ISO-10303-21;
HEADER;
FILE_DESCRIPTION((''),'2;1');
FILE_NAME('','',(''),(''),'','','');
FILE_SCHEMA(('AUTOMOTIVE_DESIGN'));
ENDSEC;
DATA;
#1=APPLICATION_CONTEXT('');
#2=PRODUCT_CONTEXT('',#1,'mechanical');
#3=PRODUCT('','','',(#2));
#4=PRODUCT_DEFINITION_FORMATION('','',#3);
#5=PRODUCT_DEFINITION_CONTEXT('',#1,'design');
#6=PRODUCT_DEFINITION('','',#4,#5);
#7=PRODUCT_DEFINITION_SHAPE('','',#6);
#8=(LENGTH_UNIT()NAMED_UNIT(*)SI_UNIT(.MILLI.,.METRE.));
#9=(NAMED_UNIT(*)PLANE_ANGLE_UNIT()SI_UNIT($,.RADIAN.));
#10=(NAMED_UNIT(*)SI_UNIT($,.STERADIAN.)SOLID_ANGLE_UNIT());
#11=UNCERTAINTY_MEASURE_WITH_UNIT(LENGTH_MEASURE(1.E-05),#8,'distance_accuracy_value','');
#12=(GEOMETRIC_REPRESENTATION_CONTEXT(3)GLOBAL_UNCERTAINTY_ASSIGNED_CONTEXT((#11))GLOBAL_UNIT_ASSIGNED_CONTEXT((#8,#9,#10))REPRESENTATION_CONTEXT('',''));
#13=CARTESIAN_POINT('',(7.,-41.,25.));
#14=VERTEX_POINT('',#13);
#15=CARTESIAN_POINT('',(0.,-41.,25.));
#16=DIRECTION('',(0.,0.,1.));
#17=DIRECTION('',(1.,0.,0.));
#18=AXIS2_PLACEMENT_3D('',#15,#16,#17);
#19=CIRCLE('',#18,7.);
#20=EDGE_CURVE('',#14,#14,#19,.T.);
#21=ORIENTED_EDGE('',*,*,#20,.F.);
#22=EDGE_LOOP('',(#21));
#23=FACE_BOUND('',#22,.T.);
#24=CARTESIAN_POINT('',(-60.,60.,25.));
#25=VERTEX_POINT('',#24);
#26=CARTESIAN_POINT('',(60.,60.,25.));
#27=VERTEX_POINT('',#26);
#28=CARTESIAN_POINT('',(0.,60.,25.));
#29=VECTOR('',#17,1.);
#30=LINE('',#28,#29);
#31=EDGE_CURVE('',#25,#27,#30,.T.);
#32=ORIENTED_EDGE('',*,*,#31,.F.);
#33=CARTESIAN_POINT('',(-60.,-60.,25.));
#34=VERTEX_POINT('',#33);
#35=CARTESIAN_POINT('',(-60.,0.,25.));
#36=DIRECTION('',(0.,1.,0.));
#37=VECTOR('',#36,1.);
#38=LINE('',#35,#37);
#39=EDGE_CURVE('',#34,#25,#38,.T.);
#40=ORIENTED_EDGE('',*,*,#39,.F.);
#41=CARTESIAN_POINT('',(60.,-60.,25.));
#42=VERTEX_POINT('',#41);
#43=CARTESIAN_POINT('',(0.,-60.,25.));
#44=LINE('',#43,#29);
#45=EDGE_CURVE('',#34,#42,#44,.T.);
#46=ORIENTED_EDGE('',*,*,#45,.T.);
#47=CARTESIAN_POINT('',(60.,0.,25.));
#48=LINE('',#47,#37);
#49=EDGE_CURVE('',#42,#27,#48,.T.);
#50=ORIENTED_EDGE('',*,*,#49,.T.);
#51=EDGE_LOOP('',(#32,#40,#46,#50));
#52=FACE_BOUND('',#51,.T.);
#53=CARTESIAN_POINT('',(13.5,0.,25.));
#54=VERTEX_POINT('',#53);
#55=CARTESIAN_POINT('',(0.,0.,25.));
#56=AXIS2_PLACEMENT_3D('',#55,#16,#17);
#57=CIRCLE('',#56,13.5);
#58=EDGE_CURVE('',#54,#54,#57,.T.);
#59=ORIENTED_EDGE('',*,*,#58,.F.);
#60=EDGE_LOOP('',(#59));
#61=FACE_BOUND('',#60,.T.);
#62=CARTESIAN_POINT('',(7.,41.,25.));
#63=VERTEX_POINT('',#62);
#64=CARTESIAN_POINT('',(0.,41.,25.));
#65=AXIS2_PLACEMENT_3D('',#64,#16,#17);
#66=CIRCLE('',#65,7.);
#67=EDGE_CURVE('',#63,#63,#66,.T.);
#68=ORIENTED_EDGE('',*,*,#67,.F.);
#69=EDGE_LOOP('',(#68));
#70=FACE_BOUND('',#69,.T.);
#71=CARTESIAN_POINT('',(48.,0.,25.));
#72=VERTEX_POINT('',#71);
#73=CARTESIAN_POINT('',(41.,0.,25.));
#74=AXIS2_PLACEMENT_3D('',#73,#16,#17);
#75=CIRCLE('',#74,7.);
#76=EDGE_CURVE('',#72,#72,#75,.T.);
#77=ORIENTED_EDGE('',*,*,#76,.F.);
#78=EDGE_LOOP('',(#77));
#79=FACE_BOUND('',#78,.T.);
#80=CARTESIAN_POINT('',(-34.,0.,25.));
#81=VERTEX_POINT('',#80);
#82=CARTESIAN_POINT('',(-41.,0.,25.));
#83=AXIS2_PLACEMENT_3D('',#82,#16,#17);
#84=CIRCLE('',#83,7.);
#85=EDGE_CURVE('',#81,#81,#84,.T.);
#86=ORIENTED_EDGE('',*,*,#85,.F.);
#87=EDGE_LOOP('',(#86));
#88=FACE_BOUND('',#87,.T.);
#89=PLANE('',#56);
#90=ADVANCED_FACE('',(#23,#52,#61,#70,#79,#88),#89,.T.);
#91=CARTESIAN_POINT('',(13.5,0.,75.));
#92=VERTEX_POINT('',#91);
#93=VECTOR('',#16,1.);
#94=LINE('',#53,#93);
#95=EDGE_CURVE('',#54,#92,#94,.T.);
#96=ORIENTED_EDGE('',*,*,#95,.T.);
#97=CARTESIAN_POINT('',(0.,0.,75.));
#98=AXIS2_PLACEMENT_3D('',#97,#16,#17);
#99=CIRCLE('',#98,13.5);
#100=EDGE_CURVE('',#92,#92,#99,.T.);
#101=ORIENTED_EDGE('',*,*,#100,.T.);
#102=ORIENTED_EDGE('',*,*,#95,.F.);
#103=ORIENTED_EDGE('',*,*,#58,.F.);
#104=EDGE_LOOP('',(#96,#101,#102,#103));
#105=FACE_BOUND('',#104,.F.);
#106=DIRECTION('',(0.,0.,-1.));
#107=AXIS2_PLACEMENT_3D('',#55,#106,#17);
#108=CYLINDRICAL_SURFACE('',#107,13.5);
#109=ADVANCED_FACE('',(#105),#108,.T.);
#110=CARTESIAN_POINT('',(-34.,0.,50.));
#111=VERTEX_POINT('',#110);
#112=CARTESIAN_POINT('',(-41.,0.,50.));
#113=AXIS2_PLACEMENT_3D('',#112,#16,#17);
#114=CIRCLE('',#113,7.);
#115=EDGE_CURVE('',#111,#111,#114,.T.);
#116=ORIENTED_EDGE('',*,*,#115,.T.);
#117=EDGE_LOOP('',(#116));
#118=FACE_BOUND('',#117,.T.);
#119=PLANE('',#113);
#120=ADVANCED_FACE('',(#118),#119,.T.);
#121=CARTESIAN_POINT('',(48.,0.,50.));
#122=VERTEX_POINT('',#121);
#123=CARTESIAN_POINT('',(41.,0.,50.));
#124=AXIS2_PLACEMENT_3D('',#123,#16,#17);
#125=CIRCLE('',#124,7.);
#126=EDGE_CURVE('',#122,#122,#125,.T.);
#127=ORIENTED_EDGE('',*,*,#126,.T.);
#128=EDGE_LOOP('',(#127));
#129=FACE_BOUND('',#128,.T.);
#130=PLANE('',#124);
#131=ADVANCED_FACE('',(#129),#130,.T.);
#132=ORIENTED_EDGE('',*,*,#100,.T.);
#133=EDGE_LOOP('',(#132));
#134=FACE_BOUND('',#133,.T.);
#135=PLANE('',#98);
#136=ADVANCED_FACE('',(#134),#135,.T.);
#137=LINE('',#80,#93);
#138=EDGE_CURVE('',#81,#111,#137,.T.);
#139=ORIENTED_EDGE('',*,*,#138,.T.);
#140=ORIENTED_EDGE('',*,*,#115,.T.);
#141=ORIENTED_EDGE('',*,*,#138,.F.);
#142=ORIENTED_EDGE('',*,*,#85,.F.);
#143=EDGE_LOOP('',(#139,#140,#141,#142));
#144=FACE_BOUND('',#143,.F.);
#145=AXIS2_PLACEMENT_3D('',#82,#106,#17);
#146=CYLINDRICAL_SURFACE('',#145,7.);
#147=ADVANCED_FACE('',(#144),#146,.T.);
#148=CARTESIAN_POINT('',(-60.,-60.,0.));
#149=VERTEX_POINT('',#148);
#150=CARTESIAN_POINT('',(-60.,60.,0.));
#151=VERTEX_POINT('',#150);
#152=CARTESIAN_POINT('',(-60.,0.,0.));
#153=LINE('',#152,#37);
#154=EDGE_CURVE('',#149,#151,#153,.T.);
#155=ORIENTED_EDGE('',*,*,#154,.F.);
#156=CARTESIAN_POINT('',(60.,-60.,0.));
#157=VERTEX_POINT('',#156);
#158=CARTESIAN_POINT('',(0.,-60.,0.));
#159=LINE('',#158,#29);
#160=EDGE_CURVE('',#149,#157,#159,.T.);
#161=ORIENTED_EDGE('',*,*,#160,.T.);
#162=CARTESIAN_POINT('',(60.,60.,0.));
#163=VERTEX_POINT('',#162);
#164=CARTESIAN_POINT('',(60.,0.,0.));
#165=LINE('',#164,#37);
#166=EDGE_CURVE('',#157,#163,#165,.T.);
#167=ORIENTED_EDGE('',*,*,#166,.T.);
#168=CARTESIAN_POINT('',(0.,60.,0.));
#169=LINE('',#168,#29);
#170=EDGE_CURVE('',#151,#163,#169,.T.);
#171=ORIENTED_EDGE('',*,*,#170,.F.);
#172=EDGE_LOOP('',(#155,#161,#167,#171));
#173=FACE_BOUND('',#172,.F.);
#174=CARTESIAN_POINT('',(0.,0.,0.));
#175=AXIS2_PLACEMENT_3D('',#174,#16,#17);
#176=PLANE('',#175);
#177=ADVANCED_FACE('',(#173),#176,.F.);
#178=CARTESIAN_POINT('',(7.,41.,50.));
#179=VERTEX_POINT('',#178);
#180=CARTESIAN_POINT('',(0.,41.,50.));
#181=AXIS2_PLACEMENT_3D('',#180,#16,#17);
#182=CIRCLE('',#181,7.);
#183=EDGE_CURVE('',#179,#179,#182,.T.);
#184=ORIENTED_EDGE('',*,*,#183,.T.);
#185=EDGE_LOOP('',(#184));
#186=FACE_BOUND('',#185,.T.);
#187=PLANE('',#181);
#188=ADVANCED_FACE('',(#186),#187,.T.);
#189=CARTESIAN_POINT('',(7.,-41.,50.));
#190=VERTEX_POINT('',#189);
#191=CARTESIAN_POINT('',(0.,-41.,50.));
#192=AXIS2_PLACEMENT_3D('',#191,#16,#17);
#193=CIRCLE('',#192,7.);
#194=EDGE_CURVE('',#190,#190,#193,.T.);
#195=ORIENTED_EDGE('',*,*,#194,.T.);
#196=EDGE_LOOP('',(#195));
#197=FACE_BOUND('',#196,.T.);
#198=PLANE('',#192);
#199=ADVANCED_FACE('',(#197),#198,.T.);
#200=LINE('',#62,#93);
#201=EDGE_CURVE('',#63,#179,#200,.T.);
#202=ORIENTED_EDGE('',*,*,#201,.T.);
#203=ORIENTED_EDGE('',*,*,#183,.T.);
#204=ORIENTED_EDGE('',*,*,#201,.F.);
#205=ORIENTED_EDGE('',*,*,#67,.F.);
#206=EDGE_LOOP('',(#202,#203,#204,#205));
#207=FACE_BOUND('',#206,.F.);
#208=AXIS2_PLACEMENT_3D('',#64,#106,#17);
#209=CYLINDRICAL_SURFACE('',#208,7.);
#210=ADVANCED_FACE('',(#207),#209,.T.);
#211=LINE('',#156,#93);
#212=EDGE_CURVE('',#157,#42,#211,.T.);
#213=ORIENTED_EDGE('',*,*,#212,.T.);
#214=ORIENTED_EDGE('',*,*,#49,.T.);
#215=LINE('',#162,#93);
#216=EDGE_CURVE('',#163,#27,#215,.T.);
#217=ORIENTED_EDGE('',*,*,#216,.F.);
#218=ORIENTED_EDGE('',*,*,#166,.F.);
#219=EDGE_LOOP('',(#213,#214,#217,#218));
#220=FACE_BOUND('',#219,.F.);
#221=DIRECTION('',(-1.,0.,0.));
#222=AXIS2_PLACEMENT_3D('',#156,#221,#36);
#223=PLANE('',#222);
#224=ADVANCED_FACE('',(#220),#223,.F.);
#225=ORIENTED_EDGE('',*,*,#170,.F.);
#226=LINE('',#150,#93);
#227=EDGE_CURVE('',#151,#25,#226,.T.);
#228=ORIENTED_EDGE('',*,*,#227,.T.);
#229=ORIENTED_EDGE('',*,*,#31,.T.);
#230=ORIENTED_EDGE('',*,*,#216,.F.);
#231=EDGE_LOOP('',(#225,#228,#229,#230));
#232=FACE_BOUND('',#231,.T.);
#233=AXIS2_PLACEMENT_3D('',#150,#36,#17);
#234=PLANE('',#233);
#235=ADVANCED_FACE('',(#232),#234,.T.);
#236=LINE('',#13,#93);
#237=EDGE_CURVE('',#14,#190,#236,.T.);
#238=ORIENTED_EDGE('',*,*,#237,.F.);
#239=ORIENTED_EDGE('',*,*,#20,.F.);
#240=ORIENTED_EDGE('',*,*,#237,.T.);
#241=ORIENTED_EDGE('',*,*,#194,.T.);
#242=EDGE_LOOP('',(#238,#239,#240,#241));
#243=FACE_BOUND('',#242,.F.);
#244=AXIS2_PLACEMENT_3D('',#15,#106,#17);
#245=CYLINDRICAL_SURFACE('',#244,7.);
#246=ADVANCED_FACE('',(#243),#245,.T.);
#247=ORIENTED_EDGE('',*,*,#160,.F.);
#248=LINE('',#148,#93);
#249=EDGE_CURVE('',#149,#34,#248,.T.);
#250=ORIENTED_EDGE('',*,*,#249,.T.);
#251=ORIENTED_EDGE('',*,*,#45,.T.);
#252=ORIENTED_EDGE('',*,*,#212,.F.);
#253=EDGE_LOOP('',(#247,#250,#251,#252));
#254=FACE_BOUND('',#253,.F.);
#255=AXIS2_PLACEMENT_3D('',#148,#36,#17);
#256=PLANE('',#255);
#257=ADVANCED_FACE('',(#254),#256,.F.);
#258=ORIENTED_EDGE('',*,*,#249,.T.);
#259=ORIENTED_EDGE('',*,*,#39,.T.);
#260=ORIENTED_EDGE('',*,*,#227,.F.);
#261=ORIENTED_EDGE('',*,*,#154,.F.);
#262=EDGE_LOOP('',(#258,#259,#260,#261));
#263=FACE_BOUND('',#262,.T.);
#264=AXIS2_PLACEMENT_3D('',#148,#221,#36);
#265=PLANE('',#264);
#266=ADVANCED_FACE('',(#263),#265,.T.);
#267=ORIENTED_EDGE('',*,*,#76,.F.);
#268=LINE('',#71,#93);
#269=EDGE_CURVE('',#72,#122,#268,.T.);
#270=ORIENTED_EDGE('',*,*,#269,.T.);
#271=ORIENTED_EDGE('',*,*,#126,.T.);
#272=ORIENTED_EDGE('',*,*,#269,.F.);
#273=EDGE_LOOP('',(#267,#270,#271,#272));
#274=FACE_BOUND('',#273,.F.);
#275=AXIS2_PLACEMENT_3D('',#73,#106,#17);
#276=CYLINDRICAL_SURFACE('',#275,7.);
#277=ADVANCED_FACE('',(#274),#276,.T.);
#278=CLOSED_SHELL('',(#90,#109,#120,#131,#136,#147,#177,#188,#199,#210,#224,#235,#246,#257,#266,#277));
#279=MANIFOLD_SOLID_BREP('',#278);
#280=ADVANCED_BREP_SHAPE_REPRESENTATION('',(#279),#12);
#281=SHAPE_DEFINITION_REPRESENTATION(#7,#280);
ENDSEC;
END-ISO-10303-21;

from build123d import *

# Parameters (mm, degrees)
F0_W     = 120
F0_H     = 120
F1_DEPTH = 25
F2_R     = 7
F3_DEPTH = 25
F4_R     = 13.5
F5_DEPTH = 50


with BuildPart() as f1:
    # F0 (on Top) → F1 (new body)
    with BuildSketch(Plane.XY):
        Rectangle(F0_W, F0_H)
    extrude(amount=F1_DEPTH)

    # F2 (on face) → F3 (join)
    with BuildSketch(Plane.XY.offset(25)):
        with Locations((0, 41)):
            Circle(F2_R)
        with Locations((-41, 0)):
            Circle(F2_R)
        with Locations((0, -41)):
            Circle(F2_R)
        with Locations((41, 0)):
            Circle(F2_R)
    extrude(amount=F3_DEPTH)

    # F4 (on face) → F5 (join)
    with BuildSketch(Plane.XY.offset(25)):
        Circle(F4_R)
    extrude(amount=F5_DEPTH)


solid = f1.part
